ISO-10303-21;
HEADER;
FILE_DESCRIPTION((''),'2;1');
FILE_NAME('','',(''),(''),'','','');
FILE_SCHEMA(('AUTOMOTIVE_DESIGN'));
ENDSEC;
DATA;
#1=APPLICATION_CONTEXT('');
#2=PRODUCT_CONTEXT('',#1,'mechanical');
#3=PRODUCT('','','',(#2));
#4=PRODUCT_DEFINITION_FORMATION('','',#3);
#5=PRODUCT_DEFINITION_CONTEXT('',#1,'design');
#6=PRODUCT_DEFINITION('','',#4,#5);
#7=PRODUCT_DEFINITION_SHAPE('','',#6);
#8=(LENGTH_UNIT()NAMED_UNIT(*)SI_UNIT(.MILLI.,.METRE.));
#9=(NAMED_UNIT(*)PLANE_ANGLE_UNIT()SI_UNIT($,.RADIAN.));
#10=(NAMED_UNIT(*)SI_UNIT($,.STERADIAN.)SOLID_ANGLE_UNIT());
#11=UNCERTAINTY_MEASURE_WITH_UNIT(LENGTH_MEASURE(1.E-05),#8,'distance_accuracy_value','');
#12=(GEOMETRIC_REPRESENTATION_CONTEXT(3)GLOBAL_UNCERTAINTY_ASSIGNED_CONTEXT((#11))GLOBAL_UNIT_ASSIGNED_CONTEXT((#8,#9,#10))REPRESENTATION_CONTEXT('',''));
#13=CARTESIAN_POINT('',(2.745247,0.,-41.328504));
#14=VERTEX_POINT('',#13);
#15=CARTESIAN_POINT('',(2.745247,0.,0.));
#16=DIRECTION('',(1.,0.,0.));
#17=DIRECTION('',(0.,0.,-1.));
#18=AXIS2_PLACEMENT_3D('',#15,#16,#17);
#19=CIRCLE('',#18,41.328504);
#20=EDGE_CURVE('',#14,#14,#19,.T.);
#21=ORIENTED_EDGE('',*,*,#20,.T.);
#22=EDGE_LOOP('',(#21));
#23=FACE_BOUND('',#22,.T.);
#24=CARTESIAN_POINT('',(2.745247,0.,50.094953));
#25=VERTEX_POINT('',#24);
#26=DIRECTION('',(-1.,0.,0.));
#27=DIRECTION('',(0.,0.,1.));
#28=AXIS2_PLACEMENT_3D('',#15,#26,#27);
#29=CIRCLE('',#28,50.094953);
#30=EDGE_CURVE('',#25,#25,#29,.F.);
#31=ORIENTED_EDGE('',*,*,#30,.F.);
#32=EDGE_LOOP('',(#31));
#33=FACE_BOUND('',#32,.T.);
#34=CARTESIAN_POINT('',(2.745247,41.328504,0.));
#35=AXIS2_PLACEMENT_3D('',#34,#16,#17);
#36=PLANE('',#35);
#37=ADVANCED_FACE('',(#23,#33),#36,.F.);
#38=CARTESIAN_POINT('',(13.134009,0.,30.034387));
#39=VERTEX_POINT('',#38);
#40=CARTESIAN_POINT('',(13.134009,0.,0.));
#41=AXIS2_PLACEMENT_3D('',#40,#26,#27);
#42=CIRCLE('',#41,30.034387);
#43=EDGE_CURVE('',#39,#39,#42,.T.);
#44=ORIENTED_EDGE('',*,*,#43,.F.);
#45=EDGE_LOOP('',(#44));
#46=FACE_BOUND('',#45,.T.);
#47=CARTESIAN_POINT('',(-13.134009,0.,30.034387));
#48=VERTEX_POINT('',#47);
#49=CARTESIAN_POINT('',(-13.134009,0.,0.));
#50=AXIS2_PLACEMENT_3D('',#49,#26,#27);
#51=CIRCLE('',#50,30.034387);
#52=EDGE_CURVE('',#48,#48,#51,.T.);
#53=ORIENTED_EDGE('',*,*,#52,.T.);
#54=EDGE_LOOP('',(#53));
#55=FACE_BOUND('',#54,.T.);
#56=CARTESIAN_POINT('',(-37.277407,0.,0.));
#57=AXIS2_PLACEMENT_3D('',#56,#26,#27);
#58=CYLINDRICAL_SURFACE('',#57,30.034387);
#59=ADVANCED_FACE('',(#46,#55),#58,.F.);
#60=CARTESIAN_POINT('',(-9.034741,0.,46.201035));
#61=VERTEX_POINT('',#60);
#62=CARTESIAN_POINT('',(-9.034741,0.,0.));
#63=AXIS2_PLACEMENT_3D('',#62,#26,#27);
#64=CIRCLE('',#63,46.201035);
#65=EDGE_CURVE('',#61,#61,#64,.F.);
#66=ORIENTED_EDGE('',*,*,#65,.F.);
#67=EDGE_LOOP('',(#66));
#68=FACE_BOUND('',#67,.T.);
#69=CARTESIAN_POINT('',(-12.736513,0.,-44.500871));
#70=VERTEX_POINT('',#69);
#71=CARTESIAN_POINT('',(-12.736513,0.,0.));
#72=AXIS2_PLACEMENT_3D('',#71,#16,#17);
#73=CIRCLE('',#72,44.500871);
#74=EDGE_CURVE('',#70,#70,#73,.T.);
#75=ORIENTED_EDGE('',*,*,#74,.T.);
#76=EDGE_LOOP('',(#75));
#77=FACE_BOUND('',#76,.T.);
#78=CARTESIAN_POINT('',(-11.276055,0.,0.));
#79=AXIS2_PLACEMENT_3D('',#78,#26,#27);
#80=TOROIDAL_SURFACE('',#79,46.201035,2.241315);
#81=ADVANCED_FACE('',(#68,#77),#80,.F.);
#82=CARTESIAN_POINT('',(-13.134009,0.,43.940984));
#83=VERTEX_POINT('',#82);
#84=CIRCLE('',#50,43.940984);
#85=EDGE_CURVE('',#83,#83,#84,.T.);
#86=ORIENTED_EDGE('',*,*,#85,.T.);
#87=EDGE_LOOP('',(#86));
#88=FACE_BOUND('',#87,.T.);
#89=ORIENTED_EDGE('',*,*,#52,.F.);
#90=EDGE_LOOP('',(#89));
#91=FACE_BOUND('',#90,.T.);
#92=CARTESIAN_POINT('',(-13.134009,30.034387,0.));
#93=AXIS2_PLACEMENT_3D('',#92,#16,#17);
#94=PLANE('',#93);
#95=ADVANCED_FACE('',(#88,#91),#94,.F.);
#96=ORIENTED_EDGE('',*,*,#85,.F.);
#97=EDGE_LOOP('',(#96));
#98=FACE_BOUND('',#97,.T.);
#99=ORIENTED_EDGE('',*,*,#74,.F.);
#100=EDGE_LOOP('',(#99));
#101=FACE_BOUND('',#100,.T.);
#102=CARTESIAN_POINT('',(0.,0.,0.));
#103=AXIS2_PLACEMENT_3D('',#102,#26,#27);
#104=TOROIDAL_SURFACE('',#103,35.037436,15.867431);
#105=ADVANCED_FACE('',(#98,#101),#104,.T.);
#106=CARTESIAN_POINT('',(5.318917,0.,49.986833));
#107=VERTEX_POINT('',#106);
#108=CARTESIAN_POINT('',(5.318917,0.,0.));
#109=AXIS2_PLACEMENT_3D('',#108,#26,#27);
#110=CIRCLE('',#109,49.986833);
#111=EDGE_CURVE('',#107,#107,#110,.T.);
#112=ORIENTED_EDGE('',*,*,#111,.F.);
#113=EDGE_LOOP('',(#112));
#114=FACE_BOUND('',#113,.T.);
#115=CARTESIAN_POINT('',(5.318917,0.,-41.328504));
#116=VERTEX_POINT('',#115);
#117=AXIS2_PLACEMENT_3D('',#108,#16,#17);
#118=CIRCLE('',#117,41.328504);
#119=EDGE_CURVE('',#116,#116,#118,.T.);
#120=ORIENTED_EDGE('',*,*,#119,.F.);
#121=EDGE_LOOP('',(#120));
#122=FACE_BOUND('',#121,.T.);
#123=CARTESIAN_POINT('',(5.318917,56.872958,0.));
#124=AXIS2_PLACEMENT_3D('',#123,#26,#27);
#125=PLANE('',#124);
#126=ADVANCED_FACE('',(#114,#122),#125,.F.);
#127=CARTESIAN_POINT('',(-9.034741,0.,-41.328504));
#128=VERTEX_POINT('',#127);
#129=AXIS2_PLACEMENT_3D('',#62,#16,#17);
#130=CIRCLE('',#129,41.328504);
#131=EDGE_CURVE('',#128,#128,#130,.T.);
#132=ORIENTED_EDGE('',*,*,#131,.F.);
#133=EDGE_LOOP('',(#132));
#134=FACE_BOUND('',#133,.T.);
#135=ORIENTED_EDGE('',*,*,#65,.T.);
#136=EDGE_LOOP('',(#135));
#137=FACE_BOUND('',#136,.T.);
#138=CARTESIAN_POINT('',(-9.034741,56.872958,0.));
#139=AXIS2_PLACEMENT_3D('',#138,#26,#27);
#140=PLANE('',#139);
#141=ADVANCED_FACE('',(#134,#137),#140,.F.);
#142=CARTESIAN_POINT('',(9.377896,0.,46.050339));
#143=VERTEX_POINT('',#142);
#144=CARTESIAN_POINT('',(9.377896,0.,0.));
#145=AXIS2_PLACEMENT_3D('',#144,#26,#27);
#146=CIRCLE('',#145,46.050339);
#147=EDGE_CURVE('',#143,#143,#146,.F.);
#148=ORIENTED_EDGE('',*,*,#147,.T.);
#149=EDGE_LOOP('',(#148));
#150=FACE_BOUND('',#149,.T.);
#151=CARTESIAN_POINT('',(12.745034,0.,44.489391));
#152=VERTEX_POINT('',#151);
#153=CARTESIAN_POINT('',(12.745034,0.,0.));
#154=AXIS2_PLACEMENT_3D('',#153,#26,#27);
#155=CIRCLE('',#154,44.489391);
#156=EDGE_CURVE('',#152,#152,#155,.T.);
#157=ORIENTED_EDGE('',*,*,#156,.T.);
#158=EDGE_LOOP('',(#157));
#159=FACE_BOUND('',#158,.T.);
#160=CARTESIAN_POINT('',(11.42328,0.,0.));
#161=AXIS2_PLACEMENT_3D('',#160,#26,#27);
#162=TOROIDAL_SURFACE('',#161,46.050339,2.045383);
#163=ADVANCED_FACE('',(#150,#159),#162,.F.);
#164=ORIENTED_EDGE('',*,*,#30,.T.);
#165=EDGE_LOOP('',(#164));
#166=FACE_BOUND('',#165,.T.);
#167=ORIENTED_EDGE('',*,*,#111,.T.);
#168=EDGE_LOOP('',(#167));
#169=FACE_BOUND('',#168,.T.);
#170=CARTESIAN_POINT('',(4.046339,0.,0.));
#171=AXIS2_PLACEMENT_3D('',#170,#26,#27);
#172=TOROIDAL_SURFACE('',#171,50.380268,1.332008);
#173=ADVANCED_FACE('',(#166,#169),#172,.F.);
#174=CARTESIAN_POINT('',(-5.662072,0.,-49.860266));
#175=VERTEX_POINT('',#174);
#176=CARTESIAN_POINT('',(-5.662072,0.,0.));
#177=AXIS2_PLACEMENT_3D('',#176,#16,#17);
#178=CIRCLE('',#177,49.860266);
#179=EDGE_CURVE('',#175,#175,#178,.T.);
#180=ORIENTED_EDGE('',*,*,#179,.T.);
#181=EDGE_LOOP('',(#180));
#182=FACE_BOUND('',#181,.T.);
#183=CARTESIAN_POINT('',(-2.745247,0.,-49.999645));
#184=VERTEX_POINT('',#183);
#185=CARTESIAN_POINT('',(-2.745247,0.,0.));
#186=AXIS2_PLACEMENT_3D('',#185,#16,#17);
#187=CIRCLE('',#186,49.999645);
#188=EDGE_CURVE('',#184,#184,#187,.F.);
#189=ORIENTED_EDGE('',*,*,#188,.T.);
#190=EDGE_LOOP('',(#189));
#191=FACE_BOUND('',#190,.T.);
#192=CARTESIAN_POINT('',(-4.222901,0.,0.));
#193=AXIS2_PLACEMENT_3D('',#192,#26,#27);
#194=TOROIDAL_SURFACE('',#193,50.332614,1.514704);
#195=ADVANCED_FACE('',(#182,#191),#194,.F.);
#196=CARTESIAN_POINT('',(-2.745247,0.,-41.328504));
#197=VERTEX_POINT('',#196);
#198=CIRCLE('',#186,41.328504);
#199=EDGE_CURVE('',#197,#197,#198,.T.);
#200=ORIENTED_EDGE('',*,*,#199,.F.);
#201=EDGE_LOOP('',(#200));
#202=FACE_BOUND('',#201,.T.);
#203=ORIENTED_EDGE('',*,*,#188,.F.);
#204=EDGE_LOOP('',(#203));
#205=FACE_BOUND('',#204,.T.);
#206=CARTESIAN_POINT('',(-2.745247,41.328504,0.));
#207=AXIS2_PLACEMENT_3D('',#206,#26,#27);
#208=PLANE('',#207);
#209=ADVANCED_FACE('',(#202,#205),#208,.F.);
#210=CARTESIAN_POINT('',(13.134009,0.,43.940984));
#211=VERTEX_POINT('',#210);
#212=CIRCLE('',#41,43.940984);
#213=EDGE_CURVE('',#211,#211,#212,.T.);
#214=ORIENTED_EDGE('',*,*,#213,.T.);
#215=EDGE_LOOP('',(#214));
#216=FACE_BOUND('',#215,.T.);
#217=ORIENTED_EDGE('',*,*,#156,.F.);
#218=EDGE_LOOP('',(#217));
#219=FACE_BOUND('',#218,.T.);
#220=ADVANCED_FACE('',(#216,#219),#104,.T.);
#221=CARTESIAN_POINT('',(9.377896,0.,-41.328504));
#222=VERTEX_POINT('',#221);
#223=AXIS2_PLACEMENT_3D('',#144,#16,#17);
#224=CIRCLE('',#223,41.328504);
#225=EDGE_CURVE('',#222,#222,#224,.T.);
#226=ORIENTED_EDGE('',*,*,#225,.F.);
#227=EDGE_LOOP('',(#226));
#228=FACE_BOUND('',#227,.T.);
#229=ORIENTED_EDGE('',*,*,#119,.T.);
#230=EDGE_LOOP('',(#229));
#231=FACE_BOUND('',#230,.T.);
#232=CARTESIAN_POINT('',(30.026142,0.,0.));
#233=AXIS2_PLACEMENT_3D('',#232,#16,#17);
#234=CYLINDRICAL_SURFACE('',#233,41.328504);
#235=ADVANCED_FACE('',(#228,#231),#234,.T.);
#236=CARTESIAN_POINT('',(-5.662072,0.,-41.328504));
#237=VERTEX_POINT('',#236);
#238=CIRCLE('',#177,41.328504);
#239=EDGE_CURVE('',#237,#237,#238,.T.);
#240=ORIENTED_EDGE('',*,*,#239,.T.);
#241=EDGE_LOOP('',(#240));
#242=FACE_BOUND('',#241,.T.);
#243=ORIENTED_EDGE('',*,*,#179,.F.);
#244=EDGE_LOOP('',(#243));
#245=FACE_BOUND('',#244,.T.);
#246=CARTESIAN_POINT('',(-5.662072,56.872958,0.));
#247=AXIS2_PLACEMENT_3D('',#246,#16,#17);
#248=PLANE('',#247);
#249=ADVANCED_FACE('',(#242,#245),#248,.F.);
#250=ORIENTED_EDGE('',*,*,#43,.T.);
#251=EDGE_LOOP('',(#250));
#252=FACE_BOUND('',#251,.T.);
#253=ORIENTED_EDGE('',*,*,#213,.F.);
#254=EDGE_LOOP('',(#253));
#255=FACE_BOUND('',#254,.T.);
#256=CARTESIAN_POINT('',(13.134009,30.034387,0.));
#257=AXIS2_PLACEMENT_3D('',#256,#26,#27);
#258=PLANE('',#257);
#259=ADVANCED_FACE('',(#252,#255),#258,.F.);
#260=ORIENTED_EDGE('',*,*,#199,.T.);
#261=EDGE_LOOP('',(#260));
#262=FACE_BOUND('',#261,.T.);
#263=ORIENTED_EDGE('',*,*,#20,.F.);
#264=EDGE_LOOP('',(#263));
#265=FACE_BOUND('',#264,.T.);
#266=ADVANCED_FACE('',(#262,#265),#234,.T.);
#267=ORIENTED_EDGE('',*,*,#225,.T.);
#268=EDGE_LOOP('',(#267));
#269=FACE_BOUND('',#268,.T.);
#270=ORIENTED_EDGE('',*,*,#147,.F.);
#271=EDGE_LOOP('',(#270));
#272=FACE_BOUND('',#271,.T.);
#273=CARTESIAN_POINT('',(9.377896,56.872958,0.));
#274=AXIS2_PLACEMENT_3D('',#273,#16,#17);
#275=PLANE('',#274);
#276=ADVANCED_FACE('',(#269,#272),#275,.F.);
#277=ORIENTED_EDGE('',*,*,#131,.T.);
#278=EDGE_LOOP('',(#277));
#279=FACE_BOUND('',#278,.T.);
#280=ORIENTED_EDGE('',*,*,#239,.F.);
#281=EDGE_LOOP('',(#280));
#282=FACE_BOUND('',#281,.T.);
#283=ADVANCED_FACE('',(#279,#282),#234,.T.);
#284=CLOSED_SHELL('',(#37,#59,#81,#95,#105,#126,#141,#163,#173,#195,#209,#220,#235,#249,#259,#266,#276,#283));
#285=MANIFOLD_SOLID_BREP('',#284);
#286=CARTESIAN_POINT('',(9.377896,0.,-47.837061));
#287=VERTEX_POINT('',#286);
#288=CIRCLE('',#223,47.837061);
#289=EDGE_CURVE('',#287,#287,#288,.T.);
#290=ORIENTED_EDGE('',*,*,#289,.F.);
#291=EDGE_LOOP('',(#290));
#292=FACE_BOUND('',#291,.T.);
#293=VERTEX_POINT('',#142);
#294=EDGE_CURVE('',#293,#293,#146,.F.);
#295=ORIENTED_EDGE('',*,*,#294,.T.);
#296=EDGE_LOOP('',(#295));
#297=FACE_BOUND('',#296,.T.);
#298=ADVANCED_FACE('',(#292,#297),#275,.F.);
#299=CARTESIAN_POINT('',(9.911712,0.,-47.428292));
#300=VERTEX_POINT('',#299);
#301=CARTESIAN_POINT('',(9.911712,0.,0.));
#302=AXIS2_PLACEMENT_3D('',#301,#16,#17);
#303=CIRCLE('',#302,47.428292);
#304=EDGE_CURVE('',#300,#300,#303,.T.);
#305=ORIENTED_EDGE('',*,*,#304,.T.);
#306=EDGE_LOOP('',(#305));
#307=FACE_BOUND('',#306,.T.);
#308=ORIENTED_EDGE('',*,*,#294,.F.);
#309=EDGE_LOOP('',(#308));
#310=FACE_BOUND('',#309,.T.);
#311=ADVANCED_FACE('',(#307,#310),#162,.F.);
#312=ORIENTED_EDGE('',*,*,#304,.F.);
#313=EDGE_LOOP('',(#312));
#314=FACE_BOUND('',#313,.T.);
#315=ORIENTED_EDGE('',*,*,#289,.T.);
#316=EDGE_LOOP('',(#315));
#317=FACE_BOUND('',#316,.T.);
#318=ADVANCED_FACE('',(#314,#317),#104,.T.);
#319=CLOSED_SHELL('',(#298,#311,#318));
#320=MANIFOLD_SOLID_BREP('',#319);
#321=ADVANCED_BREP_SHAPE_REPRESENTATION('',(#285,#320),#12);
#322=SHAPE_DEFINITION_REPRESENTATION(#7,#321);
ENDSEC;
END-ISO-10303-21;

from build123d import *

# Parameters (mm, degrees)
SKETCH2_W   = 5.490494516
SKETCH2_H   = 19.152724187
SKETCH2_W_2 = 3.372668123
SKETCH2_H_2 = 15.544453676
SKETCH2_W_3 = 4.058979938
SKETCH4_R   = 1.514703905
SKETCH4_R_2 = 1.332007645
SKETCH4_R_3 = 2.045383287
SKETCH4_R_4 = 2.241314695


with BuildPart() as part:
    # Sketch1 → Revolve1 (revolve)
    with BuildSketch(Plane.XY, mode=Mode.PRIVATE) as revolve1_sk:
        with BuildLine():
            Line((-13.134008543, 30.034387182), (13.134008543, 30.034387182))
            Line((13.134008543, 30.034387182), (13.134008543, 43.940984463))
            ThreePointArc((13.134008543, 43.940984463), (0, 50.904866559), (-13.134008543, 43.940984463))
            Line((-13.134008543, 43.940984463), (-13.134008543, 30.034387182))
        make_face()
    revolve(revolve1_sk.sketch.rotate(Axis((-37.277406599, 0, 0), (1, 0, 0)), 90), axis=Axis((-37.277406599, 0, 0), (1, 0, 0)))

    # Sketch2 → Cut-Revolve1 (revolve, cut)
    with BuildSketch(Plane.XY, mode=Mode.PRIVATE) as cut_revolve1_sk:
        with Locations((0, 50.90486656)):
            Rectangle(SKETCH2_W, SKETCH2_H)
        with Locations((-7.348406532, 49.100731304)):
            Rectangle(SKETCH2_W_2, SKETCH2_H_2)
        with Locations((7.348406531, 49.100731304)):
            Rectangle(SKETCH2_W_3, SKETCH2_H_2)
    revolve(cut_revolve1_sk.sketch.rotate(Axis((30.026141884, 0, 0), (-1, 0, 0)), 270), axis=Axis((30.026141884, 0, 0), (-1, 0, 0)), mode=Mode.SUBTRACT)

    # Sketch4 → Cut-Revolve2 (revolve, cut)
    with BuildSketch(Plane.XY, mode=Mode.PRIVATE) as cut_revolve2_sk:
        with Locations((-4.222900664, 50.332613763)):
            Circle(SKETCH4_R)
        with Locations((4.046339052, 50.380267977)):
            Circle(SKETCH4_R_2)
        with Locations((11.423279787, 46.050339051)):
            Circle(SKETCH4_R_3)
        with Locations((-11.276055288, 46.201034514)):
            Circle(SKETCH4_R_4)
    revolve(cut_revolve2_sk.sketch.rotate(Axis((-21.187819447, 0, 0), (1, 0, 0)), 90), axis=Axis((-21.187819447, 0, 0), (1, 0, 0)), mode=Mode.SUBTRACT)


with BuildPart() as cut_revolve2_piece_1:
    # of the separate pieces the step leaves, piece 1, a body of its own (cut_revolve2_pieces_kept)
    add(part.part.solids().sort_by_distance((13.134008543, 0, 43.940984463))[0])


with BuildPart() as cut_revolve2_piece_2:
    # of the separate pieces the step leaves, piece 2, a body of its own (cut_revolve2_pieces_kept)
    add(part.part.solids().sort_by_distance((9.911711901, 0, 47.428292358))[0])


solid = Compound([cut_revolve2_piece_1.part, cut_revolve2_piece_2.part])
